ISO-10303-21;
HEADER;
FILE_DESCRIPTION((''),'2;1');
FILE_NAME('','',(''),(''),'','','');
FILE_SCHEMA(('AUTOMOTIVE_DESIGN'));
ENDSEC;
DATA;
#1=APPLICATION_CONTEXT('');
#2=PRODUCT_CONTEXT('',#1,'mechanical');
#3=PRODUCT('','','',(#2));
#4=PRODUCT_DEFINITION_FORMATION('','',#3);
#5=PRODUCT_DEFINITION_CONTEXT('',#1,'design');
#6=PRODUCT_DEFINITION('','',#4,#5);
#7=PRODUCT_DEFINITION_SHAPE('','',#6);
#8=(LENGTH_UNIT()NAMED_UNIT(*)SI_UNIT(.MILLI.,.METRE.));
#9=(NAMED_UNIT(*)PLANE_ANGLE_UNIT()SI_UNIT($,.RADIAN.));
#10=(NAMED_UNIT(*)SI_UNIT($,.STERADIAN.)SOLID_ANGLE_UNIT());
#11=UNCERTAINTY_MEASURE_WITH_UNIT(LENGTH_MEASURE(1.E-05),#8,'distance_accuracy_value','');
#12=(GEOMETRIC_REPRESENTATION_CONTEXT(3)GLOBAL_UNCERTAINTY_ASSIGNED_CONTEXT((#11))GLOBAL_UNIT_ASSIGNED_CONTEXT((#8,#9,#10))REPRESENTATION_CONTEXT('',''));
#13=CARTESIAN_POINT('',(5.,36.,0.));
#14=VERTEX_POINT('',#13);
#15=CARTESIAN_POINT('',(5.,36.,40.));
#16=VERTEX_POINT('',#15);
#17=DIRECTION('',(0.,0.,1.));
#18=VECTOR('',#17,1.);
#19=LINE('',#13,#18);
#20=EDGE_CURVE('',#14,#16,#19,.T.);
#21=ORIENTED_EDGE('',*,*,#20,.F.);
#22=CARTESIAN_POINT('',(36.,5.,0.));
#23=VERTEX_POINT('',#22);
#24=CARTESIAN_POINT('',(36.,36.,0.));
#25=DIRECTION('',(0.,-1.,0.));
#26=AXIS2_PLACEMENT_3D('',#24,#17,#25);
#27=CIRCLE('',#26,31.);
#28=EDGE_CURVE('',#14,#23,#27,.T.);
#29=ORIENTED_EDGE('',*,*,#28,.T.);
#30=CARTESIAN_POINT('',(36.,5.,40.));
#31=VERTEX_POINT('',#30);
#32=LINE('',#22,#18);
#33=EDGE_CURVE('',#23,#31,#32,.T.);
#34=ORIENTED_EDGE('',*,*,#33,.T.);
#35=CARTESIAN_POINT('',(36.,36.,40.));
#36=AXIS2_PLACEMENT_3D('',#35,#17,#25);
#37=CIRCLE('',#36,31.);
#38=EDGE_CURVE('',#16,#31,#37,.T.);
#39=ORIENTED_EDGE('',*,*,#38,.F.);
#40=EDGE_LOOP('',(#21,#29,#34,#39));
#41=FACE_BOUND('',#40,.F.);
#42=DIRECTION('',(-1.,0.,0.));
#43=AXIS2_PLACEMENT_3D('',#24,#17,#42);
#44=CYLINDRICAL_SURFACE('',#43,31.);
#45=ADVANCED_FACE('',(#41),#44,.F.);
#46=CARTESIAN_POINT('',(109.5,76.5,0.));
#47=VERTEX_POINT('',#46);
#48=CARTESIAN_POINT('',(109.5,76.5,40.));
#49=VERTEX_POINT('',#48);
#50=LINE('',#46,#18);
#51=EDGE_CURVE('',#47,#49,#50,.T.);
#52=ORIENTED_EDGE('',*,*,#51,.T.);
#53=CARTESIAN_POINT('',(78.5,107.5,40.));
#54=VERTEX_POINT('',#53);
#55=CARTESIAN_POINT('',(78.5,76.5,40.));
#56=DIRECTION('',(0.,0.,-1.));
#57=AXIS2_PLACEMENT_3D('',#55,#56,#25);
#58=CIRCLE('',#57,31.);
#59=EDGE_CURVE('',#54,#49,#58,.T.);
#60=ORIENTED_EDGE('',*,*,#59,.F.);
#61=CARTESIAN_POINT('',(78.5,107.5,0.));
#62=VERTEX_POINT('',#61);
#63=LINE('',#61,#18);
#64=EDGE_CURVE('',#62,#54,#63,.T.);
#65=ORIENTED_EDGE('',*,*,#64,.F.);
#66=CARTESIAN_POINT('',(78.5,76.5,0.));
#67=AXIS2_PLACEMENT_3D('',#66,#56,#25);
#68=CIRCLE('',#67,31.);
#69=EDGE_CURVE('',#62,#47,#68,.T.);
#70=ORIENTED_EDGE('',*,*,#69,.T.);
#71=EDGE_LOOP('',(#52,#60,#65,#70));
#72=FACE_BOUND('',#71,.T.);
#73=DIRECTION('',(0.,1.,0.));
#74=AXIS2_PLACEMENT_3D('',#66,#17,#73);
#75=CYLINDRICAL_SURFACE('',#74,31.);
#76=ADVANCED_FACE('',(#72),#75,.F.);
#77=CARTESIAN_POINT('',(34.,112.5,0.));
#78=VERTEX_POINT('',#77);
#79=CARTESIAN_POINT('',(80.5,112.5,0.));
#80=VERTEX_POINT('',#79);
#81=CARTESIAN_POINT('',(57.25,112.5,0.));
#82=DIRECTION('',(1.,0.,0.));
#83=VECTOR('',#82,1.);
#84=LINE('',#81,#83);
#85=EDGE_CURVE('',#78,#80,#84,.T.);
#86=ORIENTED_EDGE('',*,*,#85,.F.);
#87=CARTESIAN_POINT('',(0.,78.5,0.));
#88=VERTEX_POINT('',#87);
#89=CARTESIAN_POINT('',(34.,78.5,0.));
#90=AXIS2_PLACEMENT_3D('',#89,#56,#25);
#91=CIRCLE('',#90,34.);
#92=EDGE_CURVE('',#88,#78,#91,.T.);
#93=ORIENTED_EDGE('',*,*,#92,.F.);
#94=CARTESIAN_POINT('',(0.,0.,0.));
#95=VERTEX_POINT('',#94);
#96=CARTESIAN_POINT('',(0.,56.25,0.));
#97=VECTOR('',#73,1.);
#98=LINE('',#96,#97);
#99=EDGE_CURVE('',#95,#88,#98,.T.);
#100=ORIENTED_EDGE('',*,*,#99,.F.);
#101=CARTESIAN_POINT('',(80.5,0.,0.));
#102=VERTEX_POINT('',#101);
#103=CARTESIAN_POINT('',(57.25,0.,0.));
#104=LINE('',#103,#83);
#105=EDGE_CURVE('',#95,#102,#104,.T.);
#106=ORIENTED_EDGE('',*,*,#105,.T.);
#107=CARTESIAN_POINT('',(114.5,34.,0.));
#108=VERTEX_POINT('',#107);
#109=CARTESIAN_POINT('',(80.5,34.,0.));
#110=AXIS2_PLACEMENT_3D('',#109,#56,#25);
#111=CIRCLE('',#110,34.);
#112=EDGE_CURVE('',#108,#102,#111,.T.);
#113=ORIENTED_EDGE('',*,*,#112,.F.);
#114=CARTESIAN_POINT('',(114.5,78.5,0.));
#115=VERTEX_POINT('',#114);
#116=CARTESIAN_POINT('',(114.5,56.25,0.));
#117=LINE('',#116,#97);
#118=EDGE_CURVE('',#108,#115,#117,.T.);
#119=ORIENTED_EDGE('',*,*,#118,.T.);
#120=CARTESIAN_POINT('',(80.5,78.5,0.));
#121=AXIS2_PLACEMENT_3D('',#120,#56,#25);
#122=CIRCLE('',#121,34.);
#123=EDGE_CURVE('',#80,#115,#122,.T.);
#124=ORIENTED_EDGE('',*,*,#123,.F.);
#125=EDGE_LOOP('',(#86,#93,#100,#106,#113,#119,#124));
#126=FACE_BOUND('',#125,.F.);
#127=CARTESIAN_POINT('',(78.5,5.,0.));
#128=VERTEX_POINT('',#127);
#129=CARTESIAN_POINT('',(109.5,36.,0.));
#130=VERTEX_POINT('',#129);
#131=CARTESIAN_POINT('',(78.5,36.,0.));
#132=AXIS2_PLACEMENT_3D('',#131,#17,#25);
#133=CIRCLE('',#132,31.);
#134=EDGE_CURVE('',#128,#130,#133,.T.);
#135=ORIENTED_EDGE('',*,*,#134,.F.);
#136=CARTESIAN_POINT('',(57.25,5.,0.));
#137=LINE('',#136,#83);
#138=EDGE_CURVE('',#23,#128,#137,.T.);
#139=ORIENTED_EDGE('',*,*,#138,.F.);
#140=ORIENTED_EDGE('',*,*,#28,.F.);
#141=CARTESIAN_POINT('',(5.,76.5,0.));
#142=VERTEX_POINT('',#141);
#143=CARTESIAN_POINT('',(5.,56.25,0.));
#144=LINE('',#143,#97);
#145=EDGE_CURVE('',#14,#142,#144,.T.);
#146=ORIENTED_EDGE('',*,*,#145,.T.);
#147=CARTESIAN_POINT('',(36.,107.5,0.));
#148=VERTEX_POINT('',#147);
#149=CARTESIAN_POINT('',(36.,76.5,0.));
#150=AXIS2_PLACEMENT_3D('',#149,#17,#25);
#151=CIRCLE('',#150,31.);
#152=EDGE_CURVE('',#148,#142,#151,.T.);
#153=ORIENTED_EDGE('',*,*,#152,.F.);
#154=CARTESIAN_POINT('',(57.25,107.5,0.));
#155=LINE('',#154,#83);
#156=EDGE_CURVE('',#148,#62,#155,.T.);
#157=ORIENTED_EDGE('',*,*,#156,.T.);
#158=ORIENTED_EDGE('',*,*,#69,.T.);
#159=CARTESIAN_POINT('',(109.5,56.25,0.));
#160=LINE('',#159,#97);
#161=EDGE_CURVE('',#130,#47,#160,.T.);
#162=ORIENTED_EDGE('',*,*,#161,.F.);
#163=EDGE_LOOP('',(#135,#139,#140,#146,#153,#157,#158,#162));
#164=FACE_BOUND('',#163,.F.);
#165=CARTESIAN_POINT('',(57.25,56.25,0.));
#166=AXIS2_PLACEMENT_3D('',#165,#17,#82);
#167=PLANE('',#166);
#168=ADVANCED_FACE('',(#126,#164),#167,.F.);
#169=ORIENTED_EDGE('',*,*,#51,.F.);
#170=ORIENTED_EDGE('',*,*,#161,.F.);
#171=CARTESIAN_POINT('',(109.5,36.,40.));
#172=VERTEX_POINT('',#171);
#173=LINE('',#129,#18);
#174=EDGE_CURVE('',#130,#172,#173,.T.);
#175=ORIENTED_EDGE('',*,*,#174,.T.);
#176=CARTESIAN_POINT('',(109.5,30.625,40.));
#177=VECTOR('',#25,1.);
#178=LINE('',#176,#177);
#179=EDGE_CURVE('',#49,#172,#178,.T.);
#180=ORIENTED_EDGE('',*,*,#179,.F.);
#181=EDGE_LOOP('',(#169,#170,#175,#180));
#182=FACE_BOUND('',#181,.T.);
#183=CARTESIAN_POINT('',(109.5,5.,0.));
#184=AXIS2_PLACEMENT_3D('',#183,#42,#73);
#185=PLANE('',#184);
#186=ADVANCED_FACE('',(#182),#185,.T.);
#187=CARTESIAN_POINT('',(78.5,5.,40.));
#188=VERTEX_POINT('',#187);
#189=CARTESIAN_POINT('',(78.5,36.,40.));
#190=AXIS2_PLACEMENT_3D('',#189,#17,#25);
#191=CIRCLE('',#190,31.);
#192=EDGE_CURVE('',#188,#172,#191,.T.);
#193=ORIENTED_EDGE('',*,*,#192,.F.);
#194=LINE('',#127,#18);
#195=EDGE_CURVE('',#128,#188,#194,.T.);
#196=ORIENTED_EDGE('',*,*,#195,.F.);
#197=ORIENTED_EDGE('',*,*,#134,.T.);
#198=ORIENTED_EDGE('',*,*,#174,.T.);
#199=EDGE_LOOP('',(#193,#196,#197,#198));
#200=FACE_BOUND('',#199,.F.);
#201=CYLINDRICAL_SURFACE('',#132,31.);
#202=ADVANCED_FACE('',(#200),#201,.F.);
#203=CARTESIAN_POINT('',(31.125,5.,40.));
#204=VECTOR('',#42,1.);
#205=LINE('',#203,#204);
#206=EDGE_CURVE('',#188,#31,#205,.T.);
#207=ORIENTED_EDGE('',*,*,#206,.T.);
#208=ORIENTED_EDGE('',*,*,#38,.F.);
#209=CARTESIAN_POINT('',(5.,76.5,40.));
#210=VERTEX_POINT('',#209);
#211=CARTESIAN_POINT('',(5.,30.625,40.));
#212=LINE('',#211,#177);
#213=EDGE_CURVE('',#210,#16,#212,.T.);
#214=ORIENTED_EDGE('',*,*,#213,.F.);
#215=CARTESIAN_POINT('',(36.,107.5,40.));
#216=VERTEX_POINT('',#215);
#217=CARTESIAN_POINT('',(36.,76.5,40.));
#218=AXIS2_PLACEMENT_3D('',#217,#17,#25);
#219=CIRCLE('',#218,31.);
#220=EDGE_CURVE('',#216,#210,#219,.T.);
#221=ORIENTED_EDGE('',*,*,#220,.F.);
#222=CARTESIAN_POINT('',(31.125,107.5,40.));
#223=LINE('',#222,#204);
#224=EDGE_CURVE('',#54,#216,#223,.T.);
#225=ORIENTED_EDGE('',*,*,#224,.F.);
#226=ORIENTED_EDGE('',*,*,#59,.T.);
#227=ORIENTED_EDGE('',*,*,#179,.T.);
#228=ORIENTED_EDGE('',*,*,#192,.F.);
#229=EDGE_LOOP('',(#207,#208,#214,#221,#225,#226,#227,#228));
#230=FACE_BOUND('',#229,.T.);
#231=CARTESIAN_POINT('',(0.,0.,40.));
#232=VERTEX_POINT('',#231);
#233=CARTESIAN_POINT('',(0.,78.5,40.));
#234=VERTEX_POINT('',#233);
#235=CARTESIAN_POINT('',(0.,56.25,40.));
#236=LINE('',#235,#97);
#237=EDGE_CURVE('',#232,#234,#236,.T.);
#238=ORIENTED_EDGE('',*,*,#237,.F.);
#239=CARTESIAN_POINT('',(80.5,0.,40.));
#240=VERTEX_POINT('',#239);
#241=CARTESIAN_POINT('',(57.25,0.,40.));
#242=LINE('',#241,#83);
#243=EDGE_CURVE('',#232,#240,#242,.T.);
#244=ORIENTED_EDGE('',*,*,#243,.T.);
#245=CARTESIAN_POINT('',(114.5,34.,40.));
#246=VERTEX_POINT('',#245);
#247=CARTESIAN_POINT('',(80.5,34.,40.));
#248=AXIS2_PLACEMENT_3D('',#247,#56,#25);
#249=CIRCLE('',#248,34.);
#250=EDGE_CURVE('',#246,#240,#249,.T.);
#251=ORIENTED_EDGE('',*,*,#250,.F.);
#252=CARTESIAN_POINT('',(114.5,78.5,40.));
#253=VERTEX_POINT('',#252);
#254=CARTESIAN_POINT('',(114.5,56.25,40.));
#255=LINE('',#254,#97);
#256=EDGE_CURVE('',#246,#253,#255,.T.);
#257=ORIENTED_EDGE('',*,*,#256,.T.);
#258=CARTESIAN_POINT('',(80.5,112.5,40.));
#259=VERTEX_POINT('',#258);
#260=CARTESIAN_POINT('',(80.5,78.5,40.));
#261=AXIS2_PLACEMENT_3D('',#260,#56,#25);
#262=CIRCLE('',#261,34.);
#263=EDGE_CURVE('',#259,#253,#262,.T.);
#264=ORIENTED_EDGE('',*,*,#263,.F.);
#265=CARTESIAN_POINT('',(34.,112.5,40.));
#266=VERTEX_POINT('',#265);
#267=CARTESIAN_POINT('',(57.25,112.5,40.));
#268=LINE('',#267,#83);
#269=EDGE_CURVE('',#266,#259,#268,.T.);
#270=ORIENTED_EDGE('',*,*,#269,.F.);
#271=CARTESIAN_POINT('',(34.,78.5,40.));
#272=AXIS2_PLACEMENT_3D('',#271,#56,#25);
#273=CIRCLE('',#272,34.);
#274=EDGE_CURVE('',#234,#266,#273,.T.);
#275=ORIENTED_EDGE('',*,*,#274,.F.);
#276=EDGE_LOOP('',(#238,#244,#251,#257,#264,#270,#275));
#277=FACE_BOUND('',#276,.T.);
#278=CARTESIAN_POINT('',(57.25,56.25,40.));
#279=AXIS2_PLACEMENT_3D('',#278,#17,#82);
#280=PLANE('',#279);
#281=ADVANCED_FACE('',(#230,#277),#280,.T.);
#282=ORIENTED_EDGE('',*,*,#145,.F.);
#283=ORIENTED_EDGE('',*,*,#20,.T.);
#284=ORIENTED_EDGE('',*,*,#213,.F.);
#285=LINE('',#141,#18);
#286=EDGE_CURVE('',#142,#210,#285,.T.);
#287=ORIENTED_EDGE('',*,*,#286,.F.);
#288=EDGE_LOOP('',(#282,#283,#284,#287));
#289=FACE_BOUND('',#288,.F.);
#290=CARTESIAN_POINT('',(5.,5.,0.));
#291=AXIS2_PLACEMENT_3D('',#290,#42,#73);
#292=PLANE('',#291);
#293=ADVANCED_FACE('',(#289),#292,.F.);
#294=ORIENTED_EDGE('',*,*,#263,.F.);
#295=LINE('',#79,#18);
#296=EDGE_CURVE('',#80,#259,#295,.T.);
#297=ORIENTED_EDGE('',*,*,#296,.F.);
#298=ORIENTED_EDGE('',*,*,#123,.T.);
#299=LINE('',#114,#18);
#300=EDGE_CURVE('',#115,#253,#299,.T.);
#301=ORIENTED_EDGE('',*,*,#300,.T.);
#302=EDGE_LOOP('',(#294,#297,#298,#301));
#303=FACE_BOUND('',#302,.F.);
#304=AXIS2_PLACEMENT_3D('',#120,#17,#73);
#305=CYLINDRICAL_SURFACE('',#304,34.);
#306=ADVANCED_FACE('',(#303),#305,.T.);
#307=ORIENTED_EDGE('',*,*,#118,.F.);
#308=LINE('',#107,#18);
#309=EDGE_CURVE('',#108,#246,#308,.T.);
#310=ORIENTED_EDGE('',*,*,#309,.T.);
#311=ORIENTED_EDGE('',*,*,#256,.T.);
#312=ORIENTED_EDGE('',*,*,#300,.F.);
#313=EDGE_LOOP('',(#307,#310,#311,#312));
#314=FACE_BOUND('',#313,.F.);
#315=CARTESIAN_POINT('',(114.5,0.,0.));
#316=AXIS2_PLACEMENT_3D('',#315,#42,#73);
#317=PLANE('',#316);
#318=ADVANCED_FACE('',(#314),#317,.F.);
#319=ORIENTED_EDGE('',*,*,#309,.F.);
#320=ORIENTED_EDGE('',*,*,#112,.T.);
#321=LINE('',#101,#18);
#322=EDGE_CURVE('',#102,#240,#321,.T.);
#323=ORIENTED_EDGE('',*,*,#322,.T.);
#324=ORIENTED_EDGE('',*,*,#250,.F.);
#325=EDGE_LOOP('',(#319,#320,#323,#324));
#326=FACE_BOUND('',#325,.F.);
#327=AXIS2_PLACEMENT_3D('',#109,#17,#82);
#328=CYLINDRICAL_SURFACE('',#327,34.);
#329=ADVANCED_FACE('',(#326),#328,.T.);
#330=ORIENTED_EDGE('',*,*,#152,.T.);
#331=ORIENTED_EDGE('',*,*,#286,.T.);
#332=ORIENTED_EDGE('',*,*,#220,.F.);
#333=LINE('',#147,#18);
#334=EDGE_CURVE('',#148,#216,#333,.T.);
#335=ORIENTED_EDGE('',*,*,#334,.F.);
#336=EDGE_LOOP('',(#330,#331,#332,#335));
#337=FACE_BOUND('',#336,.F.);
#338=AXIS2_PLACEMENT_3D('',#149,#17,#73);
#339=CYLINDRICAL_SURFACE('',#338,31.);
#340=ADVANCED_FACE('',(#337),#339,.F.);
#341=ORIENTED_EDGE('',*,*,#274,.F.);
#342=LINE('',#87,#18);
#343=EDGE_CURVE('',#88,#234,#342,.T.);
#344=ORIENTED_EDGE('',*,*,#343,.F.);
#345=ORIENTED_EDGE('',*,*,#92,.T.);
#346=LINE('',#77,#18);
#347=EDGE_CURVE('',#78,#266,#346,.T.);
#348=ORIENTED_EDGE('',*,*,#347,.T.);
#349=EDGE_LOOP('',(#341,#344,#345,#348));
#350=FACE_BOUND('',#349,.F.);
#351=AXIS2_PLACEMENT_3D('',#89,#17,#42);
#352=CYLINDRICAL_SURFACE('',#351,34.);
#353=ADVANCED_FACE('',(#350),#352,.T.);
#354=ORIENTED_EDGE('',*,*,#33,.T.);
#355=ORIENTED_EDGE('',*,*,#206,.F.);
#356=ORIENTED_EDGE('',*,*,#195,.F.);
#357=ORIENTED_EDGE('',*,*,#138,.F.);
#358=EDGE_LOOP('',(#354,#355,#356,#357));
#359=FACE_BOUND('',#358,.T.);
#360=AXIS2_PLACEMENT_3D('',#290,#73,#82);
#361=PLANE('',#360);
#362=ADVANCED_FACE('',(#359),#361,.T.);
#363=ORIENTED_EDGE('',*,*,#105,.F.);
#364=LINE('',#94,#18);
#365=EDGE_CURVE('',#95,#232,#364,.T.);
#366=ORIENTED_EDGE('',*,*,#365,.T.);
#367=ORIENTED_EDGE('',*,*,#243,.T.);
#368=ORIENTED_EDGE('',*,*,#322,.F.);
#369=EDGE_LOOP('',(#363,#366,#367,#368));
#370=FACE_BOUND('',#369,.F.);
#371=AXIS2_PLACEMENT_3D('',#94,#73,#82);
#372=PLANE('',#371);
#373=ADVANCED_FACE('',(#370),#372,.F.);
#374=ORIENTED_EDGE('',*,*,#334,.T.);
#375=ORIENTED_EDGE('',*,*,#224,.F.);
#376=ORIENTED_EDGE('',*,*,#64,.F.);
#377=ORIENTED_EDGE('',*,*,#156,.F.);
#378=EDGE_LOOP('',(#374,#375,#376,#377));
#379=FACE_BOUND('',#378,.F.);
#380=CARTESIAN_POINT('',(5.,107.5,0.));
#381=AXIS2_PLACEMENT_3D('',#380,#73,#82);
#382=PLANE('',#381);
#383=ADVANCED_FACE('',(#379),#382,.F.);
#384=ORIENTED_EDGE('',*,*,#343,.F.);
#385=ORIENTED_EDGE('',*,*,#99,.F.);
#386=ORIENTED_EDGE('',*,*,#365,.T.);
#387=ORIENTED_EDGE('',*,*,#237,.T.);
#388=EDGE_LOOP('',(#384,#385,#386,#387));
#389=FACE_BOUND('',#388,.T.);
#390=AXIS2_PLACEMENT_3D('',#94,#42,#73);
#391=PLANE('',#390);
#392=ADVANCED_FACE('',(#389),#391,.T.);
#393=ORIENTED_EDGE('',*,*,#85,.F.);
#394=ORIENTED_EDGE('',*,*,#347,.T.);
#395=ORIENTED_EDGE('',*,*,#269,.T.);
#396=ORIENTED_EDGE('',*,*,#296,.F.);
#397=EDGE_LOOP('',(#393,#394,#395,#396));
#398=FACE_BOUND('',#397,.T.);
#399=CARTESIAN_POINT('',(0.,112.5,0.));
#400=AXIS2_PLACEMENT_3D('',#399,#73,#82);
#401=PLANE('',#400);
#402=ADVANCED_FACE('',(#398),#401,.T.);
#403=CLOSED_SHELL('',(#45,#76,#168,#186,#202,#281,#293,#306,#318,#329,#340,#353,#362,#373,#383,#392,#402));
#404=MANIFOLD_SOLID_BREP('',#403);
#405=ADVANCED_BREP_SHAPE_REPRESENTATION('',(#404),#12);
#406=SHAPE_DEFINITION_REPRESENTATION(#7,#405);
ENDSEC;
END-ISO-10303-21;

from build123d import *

# Parameters (mm, degrees)
BOX001_W     = 104.5
BOX001_H     = 102.5
BOX001_DEPTH = 42
BOX_W        = 114.5
BOX_H        = 112.5
BOX_DEPTH    = 40
FILLET_R     = 31
FILLET001_R  = 31
FILLET002_R  = 31
FILLET003_R  = 31
FILLET004_R  = 34
FILLET005_R  = 34
FILLET006_R  = 34


with BuildPart() as cubo001:
    # Box001 → Box001 (new body)
    with BuildSketch(Plane(origin=(5, 5, 0), x_dir=(1, 0, 0), z_dir=(0, 0, 1))):
        with Locations((52.25, 51.25)):
            Rectangle(BOX001_W, BOX001_H)
    extrude(amount=BOX001_DEPTH)


with BuildPart() as fillet006:
    # Box → Box (new body)
    with BuildSketch(Plane.XY):
        with Locations((57.25, 56.25)):
            Rectangle(BOX_W, BOX_H)
    extrude(amount=BOX_DEPTH)

    # Cut: cut Cubo001
    add(cubo001.part, mode=Mode.SUBTRACT)

    # Fillet
    fillet_edges = [fillet006.edges().sort_by_distance(p)[0] for p in [
        (5, 107.5, 20),
    ]]
    fillet(fillet_edges, radius=FILLET_R)

    # Fillet001
    fillet001_edges = [fillet006.edges().sort_by_distance(p)[0] for p in [
        (109.5, 107.5, 20),
    ]]
    fillet(fillet001_edges, radius=FILLET001_R)

    # Fillet002
    fillet002_edges = [fillet006.edges().sort_by_distance(p)[0] for p in [
        (5, 5, 20),
    ]]
    fillet(fillet002_edges, radius=FILLET002_R)

    # Fillet003
    fillet003_edges = [fillet006.edges().sort_by_distance(p)[0] for p in [
        (109.5, 5, 20),
    ]]
    fillet(fillet003_edges, radius=FILLET003_R)

    # Fillet004
    fillet004_edges = [fillet006.edges().sort_by_distance(p)[0] for p in [
        (0, 112.5, 20),
    ]]
    fillet(fillet004_edges, radius=FILLET004_R)

    # Fillet005
    fillet005_edges = [fillet006.edges().sort_by_distance(p)[0] for p in [
        (114.5, 112.5, 20),
    ]]
    fillet(fillet005_edges, radius=FILLET005_R)

    # Fillet006
    fillet006_edges = [fillet006.edges().sort_by_distance(p)[0] for p in [
        (114.5, 0, 20),
    ]]
    fillet(fillet006_edges, radius=FILLET006_R)


solid = fillet006.part
